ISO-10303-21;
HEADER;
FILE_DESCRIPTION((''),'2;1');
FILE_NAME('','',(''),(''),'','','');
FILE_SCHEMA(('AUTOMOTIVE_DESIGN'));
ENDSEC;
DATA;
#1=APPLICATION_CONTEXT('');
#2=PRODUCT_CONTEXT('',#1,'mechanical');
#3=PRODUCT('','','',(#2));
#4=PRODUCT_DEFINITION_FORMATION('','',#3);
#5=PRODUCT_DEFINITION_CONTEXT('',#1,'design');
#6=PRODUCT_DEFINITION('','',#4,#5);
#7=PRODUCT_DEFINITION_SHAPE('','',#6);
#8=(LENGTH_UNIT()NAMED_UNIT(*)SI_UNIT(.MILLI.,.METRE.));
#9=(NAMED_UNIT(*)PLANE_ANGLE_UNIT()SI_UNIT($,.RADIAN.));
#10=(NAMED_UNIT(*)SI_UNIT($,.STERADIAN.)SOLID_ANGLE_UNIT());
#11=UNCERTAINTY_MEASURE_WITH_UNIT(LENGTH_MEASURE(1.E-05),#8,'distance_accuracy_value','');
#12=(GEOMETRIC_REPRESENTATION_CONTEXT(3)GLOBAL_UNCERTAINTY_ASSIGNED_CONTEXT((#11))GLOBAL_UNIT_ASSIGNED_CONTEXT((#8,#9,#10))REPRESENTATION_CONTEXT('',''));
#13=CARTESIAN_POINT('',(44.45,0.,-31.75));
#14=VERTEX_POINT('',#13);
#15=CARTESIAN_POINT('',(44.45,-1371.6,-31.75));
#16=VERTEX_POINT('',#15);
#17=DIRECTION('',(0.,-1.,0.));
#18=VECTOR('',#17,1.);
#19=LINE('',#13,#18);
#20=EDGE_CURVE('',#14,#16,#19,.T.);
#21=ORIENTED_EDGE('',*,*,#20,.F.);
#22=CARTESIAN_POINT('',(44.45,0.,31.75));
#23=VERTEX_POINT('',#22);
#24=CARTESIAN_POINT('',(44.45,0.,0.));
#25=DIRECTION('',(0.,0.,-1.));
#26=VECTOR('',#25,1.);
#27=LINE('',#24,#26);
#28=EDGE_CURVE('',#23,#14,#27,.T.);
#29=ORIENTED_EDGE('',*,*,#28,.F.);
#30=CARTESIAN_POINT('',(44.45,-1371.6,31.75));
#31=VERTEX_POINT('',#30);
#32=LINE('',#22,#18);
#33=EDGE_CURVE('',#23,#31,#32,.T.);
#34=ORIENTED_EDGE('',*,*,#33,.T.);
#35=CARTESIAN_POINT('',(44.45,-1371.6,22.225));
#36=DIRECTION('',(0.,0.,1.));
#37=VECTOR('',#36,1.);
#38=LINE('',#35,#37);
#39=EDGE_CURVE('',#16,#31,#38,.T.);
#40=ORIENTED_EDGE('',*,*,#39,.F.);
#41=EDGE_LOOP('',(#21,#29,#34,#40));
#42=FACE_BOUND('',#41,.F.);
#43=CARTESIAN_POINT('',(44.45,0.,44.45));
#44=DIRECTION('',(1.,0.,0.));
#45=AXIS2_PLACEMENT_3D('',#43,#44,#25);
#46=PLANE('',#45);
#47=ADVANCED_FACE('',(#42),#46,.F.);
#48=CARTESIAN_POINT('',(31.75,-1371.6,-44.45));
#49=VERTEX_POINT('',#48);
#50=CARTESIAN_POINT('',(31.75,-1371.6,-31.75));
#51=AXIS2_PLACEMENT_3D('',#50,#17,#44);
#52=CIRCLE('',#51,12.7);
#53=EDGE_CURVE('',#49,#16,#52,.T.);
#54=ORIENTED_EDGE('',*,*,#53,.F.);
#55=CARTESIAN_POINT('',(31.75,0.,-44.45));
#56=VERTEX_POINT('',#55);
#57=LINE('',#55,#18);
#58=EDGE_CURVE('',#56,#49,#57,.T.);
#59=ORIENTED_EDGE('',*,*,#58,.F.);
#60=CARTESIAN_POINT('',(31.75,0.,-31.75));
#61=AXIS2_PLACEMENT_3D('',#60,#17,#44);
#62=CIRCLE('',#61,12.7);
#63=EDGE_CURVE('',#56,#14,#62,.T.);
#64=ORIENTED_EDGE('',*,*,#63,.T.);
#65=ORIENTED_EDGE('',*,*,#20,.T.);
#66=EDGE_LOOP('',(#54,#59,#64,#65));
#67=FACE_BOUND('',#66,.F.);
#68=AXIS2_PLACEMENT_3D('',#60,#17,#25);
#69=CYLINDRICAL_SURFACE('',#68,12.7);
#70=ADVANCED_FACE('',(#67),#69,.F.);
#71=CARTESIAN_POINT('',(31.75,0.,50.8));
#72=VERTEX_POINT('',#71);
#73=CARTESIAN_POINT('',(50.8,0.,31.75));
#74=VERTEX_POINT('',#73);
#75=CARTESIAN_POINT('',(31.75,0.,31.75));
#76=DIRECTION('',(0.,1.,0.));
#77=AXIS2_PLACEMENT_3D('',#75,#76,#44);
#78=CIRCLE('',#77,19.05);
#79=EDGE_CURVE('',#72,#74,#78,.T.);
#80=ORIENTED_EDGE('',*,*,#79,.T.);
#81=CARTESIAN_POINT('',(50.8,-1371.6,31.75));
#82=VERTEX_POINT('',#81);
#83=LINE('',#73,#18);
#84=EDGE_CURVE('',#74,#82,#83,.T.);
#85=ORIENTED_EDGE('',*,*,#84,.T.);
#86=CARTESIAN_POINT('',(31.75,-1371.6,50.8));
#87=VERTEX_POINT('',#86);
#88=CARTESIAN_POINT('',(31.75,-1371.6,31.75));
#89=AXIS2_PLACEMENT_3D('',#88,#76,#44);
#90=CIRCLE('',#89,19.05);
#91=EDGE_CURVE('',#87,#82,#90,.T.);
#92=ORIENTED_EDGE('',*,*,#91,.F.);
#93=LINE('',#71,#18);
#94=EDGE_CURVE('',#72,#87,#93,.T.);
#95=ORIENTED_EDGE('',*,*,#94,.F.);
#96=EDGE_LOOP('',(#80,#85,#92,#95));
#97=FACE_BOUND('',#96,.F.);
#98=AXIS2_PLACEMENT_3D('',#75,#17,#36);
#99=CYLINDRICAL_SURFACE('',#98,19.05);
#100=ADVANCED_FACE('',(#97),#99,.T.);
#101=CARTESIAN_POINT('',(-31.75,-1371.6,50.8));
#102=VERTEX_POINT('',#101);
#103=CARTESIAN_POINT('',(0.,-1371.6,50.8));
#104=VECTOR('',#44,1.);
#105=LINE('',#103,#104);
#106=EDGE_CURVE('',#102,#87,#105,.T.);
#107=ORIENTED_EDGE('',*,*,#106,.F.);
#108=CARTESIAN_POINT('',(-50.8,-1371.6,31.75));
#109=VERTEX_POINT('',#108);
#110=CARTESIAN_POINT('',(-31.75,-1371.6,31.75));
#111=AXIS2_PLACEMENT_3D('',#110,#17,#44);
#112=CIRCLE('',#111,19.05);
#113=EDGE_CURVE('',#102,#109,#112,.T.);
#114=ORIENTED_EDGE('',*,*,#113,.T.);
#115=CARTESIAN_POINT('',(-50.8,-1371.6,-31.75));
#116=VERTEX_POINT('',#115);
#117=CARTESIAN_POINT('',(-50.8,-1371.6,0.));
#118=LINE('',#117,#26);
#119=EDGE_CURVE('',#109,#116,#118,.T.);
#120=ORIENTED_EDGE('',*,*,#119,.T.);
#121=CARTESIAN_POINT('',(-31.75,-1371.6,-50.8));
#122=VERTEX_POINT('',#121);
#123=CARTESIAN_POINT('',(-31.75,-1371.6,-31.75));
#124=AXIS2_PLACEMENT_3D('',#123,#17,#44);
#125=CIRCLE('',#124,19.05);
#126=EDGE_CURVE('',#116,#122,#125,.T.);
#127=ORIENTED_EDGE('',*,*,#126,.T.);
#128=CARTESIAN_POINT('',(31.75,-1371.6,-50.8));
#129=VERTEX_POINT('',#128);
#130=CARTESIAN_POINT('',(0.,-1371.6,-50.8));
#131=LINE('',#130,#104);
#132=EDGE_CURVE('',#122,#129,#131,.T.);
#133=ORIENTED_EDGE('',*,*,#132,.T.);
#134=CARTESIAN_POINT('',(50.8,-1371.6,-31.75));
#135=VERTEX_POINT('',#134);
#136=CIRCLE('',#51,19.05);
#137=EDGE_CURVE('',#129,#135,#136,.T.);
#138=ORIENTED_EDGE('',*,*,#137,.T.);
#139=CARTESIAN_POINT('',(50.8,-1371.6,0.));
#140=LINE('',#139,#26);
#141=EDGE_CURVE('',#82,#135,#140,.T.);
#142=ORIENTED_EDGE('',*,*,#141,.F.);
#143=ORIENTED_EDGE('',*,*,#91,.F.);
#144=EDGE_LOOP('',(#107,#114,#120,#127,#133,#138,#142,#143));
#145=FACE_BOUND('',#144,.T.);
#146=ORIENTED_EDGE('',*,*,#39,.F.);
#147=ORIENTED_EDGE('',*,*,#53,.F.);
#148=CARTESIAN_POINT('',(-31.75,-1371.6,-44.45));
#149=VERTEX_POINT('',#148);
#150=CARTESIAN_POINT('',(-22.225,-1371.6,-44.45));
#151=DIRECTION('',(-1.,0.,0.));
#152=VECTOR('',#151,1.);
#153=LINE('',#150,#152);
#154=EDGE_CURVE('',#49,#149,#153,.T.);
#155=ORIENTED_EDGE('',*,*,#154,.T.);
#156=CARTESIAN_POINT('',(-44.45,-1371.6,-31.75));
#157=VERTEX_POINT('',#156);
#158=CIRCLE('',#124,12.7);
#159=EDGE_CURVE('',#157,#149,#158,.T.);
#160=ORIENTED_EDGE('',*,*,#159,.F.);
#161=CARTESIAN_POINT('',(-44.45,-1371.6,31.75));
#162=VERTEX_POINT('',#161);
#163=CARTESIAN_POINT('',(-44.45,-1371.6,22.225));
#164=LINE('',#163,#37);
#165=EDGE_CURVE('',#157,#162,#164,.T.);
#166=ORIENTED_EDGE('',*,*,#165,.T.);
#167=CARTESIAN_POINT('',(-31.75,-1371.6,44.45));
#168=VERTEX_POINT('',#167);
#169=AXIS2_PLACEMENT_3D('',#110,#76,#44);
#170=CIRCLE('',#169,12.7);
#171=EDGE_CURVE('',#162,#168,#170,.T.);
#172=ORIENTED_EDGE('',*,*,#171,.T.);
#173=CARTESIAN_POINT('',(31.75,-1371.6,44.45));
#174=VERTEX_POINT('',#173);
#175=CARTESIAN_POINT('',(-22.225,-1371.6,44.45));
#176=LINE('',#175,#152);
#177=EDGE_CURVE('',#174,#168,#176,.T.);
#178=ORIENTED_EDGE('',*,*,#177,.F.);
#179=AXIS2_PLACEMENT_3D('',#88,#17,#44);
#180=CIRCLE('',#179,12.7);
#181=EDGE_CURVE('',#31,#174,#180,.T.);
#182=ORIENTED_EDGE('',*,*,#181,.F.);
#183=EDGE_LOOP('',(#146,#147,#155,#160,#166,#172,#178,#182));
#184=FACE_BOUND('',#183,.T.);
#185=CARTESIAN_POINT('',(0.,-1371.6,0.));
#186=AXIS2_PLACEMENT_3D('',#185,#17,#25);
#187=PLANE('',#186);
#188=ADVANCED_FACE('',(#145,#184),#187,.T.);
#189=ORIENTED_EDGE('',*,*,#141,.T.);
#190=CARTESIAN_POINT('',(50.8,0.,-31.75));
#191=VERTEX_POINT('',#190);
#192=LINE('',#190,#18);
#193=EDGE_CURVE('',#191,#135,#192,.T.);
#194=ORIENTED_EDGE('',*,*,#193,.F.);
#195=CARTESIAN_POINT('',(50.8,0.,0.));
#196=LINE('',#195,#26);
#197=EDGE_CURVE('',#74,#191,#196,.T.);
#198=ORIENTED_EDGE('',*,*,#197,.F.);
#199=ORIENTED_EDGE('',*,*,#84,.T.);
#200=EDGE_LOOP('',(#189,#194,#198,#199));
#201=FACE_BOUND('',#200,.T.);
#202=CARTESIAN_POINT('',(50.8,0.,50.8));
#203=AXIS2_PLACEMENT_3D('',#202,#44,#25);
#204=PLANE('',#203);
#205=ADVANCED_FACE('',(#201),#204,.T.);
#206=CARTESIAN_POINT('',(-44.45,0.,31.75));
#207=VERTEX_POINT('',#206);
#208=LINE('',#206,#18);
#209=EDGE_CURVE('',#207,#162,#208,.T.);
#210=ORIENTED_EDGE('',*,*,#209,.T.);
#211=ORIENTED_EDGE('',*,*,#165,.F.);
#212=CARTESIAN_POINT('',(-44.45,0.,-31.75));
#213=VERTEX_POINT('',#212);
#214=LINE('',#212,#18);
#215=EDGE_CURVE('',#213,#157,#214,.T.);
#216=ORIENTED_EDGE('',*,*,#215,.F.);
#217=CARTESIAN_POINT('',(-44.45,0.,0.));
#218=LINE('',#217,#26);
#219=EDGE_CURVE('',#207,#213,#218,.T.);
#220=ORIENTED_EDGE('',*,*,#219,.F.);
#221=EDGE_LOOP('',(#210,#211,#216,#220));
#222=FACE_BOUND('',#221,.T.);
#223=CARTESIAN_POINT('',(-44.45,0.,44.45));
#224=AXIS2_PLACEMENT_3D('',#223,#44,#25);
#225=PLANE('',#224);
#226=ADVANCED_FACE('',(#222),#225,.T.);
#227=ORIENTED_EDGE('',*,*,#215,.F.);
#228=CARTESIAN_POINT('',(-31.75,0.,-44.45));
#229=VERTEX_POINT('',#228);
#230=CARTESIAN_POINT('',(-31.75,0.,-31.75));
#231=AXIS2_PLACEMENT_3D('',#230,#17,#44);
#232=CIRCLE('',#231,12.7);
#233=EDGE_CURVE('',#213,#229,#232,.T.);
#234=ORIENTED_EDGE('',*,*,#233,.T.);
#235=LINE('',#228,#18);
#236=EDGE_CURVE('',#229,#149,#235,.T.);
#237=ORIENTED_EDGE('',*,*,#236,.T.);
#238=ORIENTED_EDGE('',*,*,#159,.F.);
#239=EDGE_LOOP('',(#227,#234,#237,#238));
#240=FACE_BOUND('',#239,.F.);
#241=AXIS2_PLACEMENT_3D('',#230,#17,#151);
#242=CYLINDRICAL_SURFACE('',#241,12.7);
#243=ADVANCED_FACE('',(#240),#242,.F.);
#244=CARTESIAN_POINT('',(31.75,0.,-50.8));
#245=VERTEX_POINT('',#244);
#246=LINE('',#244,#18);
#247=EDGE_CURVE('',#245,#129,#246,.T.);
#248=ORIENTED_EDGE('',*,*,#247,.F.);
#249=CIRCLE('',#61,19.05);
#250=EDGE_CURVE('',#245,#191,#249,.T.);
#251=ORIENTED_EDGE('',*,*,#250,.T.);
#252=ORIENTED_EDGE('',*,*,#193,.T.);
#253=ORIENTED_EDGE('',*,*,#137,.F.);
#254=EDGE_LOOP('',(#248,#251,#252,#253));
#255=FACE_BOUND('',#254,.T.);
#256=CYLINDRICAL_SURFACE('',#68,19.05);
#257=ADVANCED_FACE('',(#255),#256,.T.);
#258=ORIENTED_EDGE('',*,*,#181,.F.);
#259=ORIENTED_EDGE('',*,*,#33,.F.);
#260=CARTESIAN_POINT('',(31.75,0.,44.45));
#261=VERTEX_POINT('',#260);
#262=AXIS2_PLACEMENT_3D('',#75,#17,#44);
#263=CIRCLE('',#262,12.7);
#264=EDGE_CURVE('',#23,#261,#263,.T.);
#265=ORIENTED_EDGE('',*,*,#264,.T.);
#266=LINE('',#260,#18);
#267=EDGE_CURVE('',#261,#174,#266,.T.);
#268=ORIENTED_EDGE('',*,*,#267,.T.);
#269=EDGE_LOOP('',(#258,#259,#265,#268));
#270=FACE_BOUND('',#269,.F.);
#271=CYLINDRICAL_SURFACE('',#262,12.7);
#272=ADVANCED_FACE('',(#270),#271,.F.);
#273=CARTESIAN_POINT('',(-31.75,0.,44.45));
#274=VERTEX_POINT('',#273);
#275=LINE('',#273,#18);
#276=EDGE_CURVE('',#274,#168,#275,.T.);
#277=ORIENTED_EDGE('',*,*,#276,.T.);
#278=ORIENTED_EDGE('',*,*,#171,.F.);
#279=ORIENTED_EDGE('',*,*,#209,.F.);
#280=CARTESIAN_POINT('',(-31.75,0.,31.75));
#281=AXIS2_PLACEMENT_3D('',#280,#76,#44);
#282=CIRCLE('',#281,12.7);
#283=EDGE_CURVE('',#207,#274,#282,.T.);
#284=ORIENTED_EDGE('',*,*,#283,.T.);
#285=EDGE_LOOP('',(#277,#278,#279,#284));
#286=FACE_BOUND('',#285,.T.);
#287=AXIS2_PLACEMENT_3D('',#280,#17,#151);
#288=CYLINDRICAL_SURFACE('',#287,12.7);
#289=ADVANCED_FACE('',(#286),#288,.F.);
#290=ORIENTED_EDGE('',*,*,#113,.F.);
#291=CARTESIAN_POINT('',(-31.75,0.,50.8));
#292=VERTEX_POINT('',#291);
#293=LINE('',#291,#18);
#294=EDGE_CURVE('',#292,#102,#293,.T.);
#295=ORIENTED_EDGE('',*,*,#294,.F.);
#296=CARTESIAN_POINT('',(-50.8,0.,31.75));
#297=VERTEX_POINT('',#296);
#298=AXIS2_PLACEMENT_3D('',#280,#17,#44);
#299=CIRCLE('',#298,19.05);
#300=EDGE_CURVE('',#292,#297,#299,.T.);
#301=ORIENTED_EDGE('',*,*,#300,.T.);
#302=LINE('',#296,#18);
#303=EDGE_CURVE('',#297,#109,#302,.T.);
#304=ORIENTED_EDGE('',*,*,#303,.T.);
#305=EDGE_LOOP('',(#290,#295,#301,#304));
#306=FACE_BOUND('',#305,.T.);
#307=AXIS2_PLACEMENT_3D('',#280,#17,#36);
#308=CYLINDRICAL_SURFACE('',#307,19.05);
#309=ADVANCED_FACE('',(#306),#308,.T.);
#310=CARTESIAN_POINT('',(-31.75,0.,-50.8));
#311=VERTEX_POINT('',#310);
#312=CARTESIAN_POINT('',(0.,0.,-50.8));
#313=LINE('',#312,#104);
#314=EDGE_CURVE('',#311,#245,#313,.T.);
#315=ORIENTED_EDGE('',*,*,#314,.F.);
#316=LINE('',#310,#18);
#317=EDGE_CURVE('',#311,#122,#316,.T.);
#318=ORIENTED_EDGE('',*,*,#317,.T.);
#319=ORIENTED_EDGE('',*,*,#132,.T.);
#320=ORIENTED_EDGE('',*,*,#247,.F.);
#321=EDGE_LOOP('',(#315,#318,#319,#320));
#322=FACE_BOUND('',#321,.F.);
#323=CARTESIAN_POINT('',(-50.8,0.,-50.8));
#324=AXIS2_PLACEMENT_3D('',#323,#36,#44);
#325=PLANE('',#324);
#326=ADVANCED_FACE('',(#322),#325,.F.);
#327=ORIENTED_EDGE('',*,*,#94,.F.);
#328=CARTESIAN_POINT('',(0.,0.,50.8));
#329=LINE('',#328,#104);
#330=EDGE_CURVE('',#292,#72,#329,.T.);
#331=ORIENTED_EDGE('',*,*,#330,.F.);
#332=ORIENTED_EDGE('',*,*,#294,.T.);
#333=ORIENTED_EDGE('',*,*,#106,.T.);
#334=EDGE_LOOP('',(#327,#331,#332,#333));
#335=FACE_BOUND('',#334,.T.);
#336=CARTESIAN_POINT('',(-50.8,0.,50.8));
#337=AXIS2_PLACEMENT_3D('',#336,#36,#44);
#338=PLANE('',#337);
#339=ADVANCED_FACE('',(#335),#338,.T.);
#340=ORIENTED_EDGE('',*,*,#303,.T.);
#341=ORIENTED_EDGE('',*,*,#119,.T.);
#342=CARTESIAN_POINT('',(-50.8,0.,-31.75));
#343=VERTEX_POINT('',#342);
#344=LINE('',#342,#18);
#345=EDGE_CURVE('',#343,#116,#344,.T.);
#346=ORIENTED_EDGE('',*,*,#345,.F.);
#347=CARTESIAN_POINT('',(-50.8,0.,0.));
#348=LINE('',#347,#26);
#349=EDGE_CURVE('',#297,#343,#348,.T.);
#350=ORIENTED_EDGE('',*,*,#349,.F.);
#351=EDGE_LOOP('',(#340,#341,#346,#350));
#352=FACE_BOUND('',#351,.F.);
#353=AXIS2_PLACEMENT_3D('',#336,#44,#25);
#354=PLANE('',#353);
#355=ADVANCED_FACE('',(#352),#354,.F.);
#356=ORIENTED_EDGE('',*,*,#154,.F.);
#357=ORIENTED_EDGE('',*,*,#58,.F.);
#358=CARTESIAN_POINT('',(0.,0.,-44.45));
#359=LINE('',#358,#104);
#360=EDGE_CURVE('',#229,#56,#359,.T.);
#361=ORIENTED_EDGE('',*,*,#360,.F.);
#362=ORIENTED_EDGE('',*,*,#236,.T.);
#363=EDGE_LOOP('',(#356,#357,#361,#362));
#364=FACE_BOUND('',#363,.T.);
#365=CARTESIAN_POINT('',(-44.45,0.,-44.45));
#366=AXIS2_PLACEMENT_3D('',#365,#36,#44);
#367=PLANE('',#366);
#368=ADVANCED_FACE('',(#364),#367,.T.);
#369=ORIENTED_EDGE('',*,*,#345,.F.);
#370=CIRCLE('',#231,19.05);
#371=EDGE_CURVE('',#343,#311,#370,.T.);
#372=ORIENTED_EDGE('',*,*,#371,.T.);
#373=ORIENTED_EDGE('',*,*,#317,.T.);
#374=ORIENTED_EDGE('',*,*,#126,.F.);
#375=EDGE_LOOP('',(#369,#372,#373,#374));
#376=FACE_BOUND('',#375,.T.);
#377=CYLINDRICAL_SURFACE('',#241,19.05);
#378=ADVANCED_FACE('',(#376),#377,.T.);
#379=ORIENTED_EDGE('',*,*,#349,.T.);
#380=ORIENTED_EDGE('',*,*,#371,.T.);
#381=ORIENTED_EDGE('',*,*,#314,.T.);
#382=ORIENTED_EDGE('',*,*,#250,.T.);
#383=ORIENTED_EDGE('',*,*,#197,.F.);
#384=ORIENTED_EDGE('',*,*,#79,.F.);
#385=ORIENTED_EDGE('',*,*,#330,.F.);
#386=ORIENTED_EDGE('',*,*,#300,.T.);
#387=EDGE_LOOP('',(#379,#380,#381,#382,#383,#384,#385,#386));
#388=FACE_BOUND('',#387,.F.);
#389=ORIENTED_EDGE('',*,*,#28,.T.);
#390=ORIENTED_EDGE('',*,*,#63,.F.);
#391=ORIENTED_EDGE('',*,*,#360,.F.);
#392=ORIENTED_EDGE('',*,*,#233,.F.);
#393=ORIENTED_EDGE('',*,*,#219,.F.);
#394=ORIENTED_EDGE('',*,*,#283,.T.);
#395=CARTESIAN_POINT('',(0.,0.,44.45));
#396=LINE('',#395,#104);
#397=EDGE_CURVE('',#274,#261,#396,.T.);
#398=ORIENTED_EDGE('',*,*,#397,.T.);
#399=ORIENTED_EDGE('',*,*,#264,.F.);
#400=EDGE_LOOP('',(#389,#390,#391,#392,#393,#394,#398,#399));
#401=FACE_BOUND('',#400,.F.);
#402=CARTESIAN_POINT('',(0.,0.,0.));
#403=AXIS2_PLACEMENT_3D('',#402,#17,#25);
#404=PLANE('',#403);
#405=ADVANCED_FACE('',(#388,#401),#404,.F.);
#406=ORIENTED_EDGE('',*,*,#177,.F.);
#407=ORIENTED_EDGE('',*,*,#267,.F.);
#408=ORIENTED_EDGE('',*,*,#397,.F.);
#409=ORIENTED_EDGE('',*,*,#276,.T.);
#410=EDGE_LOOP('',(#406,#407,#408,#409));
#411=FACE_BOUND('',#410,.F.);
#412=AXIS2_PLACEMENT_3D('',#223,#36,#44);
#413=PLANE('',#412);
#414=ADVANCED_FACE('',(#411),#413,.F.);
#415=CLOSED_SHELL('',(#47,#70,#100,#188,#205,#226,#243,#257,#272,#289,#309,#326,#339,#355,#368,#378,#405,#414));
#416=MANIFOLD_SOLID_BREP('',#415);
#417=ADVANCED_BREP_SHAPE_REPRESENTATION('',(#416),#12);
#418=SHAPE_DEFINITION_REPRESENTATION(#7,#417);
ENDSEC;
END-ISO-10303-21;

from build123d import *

# Parameters (mm, degrees)
SKETCH_W             = 101.6
SKETCH_H             = 101.6
PAD_DEPTH            = 1371.6
FILLET_R             = 19.05
SKETCH001_W          = 88.9
SKETCH001_H          = 88.9
POCKET_DEPTH         = 1371.601
FILLET001_R          = 12.7
BODY_ROLL_ANGLE      = -90
BODY_PLACEMENT_ANGLE = -90


with BuildPart() as part:
    # Sketch → Pad (new body)
    with BuildSketch(Plane.YZ):
        Rectangle(SKETCH_W, SKETCH_H)
    extrude(amount=PAD_DEPTH)

    # Fillet
    fillet_edges = [part.edges().sort_by_distance(p)[0] for p in [
        (685.8, 50.8, 50.8),
        (685.8, -50.8, 50.8),
        (685.8, 50.8, -50.8),
        (685.8, -50.8, -50.8),
    ]]
    fillet(fillet_edges, radius=FILLET_R)

    # Sketch001 → Pocket (cut, through all)
    with BuildSketch(Plane.YZ):
        Rectangle(SKETCH001_W, SKETCH001_H)
    extrude(amount=POCKET_DEPTH, mode=Mode.SUBTRACT)

    # Fillet001
    fillet001_edges = [part.edges().sort_by_distance(p)[0] for p in [
        (685.8, -44.45, -44.45),
        (685.8, -44.45, 44.45),
        (685.8, 44.45, 44.45),
        (685.8, 44.45, -44.45),
    ]]
    fillet(fillet001_edges, radius=FILLET001_R)


with BuildPart() as part_1:
    # Body roll: moved
    add(part.part.rotate(Axis((0, 0, 0), (1, 0, 0)), BODY_ROLL_ANGLE))


with BuildPart() as part_2:
    # Body placement: moved
    add(part_1.part.rotate(Axis((0, 0, 0), (0, 0, 1)), BODY_PLACEMENT_ANGLE))


solid = part_2.part
